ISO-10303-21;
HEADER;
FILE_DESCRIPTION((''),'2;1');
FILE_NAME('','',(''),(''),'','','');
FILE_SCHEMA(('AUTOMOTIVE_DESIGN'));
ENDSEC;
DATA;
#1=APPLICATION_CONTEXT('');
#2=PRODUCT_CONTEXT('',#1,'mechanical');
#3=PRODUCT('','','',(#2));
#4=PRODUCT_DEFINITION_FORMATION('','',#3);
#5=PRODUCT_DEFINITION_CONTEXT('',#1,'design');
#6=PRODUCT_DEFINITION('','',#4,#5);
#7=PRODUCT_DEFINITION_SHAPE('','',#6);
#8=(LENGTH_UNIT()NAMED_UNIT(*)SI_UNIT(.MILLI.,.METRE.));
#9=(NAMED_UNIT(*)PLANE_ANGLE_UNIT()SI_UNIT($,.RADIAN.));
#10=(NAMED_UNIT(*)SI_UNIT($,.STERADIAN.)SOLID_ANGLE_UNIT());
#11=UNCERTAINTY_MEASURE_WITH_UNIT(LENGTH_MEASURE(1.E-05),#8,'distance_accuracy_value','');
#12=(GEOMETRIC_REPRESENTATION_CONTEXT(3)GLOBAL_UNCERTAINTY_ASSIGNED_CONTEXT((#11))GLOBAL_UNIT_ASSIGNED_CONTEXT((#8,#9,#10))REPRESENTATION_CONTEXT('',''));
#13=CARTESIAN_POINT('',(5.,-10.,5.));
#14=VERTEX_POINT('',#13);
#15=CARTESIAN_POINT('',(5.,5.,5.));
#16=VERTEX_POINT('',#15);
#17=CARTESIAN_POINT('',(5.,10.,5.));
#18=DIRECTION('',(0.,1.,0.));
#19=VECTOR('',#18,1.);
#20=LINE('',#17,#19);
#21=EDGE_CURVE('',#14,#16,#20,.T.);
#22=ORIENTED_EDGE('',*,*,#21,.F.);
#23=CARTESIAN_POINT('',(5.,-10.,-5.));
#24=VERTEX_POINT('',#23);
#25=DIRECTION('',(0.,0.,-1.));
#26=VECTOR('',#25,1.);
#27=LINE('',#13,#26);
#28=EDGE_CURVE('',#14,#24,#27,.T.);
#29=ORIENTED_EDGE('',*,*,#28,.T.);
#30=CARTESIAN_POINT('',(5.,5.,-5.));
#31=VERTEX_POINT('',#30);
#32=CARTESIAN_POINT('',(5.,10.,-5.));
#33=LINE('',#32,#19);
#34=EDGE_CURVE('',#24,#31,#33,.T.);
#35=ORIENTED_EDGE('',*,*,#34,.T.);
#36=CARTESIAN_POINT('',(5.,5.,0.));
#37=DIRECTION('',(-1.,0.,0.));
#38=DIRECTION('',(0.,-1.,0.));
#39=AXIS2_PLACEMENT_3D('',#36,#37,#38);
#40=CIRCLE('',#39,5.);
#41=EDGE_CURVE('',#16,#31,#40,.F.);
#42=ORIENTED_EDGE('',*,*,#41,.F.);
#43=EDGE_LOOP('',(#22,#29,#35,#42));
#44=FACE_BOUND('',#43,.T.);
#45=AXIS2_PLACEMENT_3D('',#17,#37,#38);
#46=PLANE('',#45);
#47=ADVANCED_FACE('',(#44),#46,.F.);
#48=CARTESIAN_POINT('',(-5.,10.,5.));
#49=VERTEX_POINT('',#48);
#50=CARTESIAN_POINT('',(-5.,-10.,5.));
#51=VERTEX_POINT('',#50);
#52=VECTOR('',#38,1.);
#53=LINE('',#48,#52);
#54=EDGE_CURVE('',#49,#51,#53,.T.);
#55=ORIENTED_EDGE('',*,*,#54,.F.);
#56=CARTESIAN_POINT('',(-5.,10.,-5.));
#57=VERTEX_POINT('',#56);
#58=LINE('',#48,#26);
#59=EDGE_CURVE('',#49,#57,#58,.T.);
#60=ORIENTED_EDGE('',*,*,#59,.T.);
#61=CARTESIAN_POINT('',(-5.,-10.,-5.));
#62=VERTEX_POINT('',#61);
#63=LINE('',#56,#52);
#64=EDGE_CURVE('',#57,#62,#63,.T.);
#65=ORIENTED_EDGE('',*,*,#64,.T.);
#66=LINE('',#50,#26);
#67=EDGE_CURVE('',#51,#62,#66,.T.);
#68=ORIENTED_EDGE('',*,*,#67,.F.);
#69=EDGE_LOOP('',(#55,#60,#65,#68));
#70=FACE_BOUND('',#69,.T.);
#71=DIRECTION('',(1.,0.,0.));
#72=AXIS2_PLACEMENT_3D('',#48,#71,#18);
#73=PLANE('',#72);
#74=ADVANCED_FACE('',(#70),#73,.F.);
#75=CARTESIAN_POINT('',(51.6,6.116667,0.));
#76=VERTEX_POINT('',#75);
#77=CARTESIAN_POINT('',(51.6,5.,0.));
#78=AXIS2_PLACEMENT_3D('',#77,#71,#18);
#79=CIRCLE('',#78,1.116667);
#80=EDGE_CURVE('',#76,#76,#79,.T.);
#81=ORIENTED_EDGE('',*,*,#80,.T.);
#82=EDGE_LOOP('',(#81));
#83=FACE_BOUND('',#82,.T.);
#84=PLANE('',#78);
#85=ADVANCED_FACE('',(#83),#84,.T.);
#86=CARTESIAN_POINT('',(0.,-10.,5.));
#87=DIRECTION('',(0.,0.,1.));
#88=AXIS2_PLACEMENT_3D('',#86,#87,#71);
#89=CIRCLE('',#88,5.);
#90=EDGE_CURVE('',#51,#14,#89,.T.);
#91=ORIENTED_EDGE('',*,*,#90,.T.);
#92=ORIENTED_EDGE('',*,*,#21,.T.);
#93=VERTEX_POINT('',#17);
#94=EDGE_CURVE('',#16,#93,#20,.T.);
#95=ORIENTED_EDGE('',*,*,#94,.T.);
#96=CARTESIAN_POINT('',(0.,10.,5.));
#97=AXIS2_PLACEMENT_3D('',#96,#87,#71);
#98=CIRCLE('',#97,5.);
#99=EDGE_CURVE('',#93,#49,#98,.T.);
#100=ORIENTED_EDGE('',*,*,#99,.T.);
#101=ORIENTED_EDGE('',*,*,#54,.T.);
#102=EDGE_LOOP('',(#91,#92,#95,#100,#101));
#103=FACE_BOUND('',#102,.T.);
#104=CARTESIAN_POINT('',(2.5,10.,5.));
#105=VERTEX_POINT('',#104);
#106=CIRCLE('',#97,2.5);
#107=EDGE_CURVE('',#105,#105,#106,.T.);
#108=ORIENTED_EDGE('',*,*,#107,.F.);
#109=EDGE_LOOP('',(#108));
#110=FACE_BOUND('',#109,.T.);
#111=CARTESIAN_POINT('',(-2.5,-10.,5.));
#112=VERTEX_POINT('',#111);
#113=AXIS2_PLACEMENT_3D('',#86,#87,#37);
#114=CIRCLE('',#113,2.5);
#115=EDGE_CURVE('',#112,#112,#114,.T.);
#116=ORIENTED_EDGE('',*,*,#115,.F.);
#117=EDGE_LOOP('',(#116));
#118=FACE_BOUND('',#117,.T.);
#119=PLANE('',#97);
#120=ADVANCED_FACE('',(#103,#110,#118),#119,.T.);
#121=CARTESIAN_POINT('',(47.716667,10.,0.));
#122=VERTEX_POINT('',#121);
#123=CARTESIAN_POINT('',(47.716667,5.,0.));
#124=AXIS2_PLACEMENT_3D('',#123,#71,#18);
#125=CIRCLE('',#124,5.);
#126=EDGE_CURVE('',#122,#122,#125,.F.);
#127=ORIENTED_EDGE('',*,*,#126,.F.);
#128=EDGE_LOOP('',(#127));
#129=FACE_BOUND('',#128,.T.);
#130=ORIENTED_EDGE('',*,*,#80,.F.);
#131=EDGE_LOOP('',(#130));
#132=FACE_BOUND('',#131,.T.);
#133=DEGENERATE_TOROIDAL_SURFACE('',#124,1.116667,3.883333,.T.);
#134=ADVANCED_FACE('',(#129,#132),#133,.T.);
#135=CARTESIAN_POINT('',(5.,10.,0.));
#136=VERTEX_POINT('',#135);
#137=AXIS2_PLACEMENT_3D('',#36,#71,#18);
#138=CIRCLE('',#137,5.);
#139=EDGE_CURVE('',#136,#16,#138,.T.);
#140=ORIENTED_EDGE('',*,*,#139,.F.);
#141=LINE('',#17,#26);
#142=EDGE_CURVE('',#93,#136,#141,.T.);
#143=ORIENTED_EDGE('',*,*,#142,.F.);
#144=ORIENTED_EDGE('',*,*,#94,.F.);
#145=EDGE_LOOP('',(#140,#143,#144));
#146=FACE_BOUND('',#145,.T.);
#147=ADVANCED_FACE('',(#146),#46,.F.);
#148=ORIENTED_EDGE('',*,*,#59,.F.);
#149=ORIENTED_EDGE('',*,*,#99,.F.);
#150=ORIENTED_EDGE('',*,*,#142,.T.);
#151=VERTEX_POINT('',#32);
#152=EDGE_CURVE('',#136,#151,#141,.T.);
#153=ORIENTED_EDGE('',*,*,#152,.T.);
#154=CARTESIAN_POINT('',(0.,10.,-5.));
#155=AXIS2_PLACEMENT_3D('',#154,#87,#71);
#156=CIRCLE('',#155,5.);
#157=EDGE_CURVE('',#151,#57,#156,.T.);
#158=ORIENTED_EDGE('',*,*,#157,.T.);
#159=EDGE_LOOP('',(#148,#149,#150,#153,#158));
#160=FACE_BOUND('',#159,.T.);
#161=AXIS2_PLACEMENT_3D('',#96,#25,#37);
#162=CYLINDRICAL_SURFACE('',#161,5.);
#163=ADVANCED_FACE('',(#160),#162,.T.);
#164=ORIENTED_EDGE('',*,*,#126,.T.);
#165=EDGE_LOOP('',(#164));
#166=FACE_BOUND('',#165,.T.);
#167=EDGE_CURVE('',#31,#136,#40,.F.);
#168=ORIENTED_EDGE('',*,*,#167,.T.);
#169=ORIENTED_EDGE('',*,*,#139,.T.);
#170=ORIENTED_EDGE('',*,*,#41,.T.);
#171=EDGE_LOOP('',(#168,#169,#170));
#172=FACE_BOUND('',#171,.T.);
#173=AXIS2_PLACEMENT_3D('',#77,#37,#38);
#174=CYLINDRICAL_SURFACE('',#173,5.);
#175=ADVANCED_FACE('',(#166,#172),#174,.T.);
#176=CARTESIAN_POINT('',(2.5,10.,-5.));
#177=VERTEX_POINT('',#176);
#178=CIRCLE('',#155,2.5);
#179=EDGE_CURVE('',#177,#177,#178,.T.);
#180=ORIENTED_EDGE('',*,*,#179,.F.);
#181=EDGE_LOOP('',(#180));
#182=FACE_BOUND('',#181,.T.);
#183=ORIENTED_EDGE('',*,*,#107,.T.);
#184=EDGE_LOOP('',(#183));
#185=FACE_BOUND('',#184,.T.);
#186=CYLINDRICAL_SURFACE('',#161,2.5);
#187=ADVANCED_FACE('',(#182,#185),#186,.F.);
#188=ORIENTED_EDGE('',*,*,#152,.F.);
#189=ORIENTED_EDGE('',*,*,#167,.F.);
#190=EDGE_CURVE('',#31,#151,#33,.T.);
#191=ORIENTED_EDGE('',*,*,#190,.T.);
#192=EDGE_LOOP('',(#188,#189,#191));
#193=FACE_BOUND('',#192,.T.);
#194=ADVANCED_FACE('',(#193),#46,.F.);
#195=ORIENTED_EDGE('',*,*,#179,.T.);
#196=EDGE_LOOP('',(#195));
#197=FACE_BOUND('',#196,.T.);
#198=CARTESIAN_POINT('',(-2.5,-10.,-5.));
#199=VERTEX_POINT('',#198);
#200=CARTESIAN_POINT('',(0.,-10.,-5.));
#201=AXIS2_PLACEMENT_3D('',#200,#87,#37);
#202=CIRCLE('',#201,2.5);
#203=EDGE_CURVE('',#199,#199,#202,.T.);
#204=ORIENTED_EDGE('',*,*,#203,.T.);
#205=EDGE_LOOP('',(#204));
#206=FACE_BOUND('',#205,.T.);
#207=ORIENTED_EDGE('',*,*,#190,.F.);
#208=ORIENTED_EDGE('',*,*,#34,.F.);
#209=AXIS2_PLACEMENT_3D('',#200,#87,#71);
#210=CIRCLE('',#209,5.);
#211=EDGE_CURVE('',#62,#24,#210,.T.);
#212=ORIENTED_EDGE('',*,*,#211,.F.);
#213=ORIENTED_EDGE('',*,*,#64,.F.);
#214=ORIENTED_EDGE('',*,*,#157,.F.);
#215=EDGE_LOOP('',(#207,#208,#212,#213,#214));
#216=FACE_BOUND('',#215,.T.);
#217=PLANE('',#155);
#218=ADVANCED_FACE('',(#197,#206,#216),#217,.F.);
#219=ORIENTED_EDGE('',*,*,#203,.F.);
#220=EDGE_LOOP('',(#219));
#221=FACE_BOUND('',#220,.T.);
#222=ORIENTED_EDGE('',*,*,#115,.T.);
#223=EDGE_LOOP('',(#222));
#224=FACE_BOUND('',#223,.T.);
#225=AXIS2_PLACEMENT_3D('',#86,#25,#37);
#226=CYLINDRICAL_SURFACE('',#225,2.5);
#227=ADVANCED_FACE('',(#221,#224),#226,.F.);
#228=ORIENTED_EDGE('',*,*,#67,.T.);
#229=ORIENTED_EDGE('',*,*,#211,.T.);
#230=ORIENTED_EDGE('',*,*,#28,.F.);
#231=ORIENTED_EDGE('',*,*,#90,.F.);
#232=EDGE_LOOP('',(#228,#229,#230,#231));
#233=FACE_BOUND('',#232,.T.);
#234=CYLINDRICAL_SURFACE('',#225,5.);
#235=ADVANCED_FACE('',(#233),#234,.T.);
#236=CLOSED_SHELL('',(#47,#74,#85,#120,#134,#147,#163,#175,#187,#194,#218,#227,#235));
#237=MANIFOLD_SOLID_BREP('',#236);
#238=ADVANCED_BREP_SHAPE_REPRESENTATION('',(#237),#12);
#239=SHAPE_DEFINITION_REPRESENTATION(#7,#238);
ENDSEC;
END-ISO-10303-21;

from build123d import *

# Parameters (mm, degrees)
ESQUISSE1_R        = 2.5
BOSS_EXTRU_1_DEPTH = 5
ESQUISSE2_R        = 5
BOSS_EXTRU_2_DEPTH = 46.6
CONG_1_R           = 3.883333333


with BuildPart() as part:
    # Esquisse1 → Boss.-Extru.1 (new, symmetric)
    with BuildSketch(Plane.XY):
        with BuildLine():
            Line((5, 10), (5, -10))
            ThreePointArc((5, -10), (0, -15), (-5, -10))
            Line((-5, -10), (-5, 10))
            ThreePointArc((-5, 10), (0, 15), (5, 10))
        make_face()
        with Locations((0, 10)):
            Circle(ESQUISSE1_R, mode=Mode.SUBTRACT)
        with Locations((0, -10)):
            Circle(ESQUISSE1_R, mode=Mode.SUBTRACT)
    extrude(amount=BOSS_EXTRU_1_DEPTH, both=True)

    # Esquisse2 → Boss.-Extru.2 (add)
    with BuildSketch(Plane(origin=(5, 0, 0), x_dir=(0, 0, -1), z_dir=(1, 0, 0))):
        with Locations((0, 5)):
            Circle(ESQUISSE2_R)
    extrude(amount=BOSS_EXTRU_2_DEPTH)

    # Congé1
    cong_1_edges = [part.edges().sort_by_distance(p)[0] for p in [
        (51.6, 5, 5),
    ]]
    fillet(cong_1_edges, radius=CONG_1_R)


solid = part.part
